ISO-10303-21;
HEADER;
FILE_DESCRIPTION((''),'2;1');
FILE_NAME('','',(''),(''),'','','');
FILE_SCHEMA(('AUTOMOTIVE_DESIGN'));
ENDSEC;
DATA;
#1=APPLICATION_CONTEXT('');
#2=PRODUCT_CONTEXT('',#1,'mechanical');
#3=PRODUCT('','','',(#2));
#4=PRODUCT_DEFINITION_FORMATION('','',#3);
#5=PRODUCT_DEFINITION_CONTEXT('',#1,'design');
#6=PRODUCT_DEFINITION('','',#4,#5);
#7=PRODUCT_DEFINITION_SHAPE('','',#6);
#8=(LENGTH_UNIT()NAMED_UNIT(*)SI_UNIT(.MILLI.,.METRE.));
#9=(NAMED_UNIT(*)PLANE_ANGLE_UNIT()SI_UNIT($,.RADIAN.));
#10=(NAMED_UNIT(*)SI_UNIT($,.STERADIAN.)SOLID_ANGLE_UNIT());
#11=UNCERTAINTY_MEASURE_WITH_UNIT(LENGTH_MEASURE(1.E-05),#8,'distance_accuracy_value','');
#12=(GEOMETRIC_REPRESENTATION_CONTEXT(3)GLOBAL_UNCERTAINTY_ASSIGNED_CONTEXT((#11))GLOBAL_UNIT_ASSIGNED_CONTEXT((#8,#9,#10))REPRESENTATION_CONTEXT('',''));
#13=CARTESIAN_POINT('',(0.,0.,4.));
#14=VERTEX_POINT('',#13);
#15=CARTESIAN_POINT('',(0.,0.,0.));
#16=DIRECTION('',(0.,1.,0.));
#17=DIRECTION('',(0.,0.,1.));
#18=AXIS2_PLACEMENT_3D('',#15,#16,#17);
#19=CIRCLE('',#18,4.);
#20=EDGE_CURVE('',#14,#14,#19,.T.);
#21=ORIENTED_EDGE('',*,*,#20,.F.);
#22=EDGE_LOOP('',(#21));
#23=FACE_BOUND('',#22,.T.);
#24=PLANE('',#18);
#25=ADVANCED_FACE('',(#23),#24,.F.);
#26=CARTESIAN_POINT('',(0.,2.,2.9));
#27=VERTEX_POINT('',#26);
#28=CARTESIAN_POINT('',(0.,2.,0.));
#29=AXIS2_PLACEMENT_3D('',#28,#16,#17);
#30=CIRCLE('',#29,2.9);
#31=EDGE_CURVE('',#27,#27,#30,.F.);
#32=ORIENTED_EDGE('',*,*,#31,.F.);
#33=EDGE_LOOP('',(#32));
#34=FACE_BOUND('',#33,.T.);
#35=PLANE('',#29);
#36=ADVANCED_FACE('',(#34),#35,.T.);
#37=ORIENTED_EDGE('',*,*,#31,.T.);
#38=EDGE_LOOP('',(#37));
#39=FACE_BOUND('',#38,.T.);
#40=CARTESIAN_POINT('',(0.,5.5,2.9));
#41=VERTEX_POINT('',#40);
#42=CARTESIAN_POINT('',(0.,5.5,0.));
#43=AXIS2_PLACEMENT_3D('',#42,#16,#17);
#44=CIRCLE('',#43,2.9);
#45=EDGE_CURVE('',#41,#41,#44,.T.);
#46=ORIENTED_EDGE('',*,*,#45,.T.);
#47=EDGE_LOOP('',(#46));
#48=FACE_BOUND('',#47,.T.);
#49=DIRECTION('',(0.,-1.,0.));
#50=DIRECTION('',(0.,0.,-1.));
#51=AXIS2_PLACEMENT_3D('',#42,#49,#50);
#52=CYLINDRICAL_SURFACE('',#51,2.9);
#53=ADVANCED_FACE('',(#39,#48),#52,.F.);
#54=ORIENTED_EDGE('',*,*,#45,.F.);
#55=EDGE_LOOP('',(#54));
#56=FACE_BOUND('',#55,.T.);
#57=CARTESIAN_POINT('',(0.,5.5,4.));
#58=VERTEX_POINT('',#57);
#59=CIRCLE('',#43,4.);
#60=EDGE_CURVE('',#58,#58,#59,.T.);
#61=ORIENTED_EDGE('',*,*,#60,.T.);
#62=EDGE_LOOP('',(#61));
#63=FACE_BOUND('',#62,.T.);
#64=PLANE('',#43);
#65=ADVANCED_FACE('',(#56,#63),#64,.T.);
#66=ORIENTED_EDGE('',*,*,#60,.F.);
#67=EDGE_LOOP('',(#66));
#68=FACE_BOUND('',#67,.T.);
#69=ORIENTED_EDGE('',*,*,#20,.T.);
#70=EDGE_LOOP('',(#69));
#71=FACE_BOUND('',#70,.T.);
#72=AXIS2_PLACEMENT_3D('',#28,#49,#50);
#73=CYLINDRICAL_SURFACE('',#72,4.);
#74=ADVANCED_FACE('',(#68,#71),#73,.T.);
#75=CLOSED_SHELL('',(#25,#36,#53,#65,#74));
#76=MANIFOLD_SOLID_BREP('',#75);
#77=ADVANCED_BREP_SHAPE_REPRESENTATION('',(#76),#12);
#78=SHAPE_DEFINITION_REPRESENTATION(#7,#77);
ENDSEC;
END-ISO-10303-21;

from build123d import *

# Parameters (mm, degrees)
SKETCH_1_R      = 4
EXTRUDE_1_DEPTH = 2
SKETCH_2_R      = 4
SKETCH_2_R_2    = 2.9
EXTRUDE_2_DEPTH = 3.5


with BuildPart() as part:
    # 草图1 → 凸台-拉伸1 (new body)
    with BuildSketch(Plane(origin=(0, 0, 0), x_dir=(1, 0, 0), z_dir=(0, 1, 0))):
        with Locations(Location((0, 0, 0), (0, 0, 270))):
            Circle(SKETCH_1_R)
    extrude(amount=EXTRUDE_1_DEPTH)

    # 草图2 → 凸台-拉伸2 (add)
    with BuildSketch(Plane(origin=(0, 2, 0), x_dir=(1, 0, 0), z_dir=(0, 1, 0))):
        with Locations(Location((0, 0, 0), (0, 0, 270))):
            Circle(SKETCH_2_R)
        with Locations(Location((0, 0, 0), (0, 0, 270))):
            Circle(SKETCH_2_R_2, mode=Mode.SUBTRACT)
    extrude(amount=EXTRUDE_2_DEPTH)


solid = part.part
